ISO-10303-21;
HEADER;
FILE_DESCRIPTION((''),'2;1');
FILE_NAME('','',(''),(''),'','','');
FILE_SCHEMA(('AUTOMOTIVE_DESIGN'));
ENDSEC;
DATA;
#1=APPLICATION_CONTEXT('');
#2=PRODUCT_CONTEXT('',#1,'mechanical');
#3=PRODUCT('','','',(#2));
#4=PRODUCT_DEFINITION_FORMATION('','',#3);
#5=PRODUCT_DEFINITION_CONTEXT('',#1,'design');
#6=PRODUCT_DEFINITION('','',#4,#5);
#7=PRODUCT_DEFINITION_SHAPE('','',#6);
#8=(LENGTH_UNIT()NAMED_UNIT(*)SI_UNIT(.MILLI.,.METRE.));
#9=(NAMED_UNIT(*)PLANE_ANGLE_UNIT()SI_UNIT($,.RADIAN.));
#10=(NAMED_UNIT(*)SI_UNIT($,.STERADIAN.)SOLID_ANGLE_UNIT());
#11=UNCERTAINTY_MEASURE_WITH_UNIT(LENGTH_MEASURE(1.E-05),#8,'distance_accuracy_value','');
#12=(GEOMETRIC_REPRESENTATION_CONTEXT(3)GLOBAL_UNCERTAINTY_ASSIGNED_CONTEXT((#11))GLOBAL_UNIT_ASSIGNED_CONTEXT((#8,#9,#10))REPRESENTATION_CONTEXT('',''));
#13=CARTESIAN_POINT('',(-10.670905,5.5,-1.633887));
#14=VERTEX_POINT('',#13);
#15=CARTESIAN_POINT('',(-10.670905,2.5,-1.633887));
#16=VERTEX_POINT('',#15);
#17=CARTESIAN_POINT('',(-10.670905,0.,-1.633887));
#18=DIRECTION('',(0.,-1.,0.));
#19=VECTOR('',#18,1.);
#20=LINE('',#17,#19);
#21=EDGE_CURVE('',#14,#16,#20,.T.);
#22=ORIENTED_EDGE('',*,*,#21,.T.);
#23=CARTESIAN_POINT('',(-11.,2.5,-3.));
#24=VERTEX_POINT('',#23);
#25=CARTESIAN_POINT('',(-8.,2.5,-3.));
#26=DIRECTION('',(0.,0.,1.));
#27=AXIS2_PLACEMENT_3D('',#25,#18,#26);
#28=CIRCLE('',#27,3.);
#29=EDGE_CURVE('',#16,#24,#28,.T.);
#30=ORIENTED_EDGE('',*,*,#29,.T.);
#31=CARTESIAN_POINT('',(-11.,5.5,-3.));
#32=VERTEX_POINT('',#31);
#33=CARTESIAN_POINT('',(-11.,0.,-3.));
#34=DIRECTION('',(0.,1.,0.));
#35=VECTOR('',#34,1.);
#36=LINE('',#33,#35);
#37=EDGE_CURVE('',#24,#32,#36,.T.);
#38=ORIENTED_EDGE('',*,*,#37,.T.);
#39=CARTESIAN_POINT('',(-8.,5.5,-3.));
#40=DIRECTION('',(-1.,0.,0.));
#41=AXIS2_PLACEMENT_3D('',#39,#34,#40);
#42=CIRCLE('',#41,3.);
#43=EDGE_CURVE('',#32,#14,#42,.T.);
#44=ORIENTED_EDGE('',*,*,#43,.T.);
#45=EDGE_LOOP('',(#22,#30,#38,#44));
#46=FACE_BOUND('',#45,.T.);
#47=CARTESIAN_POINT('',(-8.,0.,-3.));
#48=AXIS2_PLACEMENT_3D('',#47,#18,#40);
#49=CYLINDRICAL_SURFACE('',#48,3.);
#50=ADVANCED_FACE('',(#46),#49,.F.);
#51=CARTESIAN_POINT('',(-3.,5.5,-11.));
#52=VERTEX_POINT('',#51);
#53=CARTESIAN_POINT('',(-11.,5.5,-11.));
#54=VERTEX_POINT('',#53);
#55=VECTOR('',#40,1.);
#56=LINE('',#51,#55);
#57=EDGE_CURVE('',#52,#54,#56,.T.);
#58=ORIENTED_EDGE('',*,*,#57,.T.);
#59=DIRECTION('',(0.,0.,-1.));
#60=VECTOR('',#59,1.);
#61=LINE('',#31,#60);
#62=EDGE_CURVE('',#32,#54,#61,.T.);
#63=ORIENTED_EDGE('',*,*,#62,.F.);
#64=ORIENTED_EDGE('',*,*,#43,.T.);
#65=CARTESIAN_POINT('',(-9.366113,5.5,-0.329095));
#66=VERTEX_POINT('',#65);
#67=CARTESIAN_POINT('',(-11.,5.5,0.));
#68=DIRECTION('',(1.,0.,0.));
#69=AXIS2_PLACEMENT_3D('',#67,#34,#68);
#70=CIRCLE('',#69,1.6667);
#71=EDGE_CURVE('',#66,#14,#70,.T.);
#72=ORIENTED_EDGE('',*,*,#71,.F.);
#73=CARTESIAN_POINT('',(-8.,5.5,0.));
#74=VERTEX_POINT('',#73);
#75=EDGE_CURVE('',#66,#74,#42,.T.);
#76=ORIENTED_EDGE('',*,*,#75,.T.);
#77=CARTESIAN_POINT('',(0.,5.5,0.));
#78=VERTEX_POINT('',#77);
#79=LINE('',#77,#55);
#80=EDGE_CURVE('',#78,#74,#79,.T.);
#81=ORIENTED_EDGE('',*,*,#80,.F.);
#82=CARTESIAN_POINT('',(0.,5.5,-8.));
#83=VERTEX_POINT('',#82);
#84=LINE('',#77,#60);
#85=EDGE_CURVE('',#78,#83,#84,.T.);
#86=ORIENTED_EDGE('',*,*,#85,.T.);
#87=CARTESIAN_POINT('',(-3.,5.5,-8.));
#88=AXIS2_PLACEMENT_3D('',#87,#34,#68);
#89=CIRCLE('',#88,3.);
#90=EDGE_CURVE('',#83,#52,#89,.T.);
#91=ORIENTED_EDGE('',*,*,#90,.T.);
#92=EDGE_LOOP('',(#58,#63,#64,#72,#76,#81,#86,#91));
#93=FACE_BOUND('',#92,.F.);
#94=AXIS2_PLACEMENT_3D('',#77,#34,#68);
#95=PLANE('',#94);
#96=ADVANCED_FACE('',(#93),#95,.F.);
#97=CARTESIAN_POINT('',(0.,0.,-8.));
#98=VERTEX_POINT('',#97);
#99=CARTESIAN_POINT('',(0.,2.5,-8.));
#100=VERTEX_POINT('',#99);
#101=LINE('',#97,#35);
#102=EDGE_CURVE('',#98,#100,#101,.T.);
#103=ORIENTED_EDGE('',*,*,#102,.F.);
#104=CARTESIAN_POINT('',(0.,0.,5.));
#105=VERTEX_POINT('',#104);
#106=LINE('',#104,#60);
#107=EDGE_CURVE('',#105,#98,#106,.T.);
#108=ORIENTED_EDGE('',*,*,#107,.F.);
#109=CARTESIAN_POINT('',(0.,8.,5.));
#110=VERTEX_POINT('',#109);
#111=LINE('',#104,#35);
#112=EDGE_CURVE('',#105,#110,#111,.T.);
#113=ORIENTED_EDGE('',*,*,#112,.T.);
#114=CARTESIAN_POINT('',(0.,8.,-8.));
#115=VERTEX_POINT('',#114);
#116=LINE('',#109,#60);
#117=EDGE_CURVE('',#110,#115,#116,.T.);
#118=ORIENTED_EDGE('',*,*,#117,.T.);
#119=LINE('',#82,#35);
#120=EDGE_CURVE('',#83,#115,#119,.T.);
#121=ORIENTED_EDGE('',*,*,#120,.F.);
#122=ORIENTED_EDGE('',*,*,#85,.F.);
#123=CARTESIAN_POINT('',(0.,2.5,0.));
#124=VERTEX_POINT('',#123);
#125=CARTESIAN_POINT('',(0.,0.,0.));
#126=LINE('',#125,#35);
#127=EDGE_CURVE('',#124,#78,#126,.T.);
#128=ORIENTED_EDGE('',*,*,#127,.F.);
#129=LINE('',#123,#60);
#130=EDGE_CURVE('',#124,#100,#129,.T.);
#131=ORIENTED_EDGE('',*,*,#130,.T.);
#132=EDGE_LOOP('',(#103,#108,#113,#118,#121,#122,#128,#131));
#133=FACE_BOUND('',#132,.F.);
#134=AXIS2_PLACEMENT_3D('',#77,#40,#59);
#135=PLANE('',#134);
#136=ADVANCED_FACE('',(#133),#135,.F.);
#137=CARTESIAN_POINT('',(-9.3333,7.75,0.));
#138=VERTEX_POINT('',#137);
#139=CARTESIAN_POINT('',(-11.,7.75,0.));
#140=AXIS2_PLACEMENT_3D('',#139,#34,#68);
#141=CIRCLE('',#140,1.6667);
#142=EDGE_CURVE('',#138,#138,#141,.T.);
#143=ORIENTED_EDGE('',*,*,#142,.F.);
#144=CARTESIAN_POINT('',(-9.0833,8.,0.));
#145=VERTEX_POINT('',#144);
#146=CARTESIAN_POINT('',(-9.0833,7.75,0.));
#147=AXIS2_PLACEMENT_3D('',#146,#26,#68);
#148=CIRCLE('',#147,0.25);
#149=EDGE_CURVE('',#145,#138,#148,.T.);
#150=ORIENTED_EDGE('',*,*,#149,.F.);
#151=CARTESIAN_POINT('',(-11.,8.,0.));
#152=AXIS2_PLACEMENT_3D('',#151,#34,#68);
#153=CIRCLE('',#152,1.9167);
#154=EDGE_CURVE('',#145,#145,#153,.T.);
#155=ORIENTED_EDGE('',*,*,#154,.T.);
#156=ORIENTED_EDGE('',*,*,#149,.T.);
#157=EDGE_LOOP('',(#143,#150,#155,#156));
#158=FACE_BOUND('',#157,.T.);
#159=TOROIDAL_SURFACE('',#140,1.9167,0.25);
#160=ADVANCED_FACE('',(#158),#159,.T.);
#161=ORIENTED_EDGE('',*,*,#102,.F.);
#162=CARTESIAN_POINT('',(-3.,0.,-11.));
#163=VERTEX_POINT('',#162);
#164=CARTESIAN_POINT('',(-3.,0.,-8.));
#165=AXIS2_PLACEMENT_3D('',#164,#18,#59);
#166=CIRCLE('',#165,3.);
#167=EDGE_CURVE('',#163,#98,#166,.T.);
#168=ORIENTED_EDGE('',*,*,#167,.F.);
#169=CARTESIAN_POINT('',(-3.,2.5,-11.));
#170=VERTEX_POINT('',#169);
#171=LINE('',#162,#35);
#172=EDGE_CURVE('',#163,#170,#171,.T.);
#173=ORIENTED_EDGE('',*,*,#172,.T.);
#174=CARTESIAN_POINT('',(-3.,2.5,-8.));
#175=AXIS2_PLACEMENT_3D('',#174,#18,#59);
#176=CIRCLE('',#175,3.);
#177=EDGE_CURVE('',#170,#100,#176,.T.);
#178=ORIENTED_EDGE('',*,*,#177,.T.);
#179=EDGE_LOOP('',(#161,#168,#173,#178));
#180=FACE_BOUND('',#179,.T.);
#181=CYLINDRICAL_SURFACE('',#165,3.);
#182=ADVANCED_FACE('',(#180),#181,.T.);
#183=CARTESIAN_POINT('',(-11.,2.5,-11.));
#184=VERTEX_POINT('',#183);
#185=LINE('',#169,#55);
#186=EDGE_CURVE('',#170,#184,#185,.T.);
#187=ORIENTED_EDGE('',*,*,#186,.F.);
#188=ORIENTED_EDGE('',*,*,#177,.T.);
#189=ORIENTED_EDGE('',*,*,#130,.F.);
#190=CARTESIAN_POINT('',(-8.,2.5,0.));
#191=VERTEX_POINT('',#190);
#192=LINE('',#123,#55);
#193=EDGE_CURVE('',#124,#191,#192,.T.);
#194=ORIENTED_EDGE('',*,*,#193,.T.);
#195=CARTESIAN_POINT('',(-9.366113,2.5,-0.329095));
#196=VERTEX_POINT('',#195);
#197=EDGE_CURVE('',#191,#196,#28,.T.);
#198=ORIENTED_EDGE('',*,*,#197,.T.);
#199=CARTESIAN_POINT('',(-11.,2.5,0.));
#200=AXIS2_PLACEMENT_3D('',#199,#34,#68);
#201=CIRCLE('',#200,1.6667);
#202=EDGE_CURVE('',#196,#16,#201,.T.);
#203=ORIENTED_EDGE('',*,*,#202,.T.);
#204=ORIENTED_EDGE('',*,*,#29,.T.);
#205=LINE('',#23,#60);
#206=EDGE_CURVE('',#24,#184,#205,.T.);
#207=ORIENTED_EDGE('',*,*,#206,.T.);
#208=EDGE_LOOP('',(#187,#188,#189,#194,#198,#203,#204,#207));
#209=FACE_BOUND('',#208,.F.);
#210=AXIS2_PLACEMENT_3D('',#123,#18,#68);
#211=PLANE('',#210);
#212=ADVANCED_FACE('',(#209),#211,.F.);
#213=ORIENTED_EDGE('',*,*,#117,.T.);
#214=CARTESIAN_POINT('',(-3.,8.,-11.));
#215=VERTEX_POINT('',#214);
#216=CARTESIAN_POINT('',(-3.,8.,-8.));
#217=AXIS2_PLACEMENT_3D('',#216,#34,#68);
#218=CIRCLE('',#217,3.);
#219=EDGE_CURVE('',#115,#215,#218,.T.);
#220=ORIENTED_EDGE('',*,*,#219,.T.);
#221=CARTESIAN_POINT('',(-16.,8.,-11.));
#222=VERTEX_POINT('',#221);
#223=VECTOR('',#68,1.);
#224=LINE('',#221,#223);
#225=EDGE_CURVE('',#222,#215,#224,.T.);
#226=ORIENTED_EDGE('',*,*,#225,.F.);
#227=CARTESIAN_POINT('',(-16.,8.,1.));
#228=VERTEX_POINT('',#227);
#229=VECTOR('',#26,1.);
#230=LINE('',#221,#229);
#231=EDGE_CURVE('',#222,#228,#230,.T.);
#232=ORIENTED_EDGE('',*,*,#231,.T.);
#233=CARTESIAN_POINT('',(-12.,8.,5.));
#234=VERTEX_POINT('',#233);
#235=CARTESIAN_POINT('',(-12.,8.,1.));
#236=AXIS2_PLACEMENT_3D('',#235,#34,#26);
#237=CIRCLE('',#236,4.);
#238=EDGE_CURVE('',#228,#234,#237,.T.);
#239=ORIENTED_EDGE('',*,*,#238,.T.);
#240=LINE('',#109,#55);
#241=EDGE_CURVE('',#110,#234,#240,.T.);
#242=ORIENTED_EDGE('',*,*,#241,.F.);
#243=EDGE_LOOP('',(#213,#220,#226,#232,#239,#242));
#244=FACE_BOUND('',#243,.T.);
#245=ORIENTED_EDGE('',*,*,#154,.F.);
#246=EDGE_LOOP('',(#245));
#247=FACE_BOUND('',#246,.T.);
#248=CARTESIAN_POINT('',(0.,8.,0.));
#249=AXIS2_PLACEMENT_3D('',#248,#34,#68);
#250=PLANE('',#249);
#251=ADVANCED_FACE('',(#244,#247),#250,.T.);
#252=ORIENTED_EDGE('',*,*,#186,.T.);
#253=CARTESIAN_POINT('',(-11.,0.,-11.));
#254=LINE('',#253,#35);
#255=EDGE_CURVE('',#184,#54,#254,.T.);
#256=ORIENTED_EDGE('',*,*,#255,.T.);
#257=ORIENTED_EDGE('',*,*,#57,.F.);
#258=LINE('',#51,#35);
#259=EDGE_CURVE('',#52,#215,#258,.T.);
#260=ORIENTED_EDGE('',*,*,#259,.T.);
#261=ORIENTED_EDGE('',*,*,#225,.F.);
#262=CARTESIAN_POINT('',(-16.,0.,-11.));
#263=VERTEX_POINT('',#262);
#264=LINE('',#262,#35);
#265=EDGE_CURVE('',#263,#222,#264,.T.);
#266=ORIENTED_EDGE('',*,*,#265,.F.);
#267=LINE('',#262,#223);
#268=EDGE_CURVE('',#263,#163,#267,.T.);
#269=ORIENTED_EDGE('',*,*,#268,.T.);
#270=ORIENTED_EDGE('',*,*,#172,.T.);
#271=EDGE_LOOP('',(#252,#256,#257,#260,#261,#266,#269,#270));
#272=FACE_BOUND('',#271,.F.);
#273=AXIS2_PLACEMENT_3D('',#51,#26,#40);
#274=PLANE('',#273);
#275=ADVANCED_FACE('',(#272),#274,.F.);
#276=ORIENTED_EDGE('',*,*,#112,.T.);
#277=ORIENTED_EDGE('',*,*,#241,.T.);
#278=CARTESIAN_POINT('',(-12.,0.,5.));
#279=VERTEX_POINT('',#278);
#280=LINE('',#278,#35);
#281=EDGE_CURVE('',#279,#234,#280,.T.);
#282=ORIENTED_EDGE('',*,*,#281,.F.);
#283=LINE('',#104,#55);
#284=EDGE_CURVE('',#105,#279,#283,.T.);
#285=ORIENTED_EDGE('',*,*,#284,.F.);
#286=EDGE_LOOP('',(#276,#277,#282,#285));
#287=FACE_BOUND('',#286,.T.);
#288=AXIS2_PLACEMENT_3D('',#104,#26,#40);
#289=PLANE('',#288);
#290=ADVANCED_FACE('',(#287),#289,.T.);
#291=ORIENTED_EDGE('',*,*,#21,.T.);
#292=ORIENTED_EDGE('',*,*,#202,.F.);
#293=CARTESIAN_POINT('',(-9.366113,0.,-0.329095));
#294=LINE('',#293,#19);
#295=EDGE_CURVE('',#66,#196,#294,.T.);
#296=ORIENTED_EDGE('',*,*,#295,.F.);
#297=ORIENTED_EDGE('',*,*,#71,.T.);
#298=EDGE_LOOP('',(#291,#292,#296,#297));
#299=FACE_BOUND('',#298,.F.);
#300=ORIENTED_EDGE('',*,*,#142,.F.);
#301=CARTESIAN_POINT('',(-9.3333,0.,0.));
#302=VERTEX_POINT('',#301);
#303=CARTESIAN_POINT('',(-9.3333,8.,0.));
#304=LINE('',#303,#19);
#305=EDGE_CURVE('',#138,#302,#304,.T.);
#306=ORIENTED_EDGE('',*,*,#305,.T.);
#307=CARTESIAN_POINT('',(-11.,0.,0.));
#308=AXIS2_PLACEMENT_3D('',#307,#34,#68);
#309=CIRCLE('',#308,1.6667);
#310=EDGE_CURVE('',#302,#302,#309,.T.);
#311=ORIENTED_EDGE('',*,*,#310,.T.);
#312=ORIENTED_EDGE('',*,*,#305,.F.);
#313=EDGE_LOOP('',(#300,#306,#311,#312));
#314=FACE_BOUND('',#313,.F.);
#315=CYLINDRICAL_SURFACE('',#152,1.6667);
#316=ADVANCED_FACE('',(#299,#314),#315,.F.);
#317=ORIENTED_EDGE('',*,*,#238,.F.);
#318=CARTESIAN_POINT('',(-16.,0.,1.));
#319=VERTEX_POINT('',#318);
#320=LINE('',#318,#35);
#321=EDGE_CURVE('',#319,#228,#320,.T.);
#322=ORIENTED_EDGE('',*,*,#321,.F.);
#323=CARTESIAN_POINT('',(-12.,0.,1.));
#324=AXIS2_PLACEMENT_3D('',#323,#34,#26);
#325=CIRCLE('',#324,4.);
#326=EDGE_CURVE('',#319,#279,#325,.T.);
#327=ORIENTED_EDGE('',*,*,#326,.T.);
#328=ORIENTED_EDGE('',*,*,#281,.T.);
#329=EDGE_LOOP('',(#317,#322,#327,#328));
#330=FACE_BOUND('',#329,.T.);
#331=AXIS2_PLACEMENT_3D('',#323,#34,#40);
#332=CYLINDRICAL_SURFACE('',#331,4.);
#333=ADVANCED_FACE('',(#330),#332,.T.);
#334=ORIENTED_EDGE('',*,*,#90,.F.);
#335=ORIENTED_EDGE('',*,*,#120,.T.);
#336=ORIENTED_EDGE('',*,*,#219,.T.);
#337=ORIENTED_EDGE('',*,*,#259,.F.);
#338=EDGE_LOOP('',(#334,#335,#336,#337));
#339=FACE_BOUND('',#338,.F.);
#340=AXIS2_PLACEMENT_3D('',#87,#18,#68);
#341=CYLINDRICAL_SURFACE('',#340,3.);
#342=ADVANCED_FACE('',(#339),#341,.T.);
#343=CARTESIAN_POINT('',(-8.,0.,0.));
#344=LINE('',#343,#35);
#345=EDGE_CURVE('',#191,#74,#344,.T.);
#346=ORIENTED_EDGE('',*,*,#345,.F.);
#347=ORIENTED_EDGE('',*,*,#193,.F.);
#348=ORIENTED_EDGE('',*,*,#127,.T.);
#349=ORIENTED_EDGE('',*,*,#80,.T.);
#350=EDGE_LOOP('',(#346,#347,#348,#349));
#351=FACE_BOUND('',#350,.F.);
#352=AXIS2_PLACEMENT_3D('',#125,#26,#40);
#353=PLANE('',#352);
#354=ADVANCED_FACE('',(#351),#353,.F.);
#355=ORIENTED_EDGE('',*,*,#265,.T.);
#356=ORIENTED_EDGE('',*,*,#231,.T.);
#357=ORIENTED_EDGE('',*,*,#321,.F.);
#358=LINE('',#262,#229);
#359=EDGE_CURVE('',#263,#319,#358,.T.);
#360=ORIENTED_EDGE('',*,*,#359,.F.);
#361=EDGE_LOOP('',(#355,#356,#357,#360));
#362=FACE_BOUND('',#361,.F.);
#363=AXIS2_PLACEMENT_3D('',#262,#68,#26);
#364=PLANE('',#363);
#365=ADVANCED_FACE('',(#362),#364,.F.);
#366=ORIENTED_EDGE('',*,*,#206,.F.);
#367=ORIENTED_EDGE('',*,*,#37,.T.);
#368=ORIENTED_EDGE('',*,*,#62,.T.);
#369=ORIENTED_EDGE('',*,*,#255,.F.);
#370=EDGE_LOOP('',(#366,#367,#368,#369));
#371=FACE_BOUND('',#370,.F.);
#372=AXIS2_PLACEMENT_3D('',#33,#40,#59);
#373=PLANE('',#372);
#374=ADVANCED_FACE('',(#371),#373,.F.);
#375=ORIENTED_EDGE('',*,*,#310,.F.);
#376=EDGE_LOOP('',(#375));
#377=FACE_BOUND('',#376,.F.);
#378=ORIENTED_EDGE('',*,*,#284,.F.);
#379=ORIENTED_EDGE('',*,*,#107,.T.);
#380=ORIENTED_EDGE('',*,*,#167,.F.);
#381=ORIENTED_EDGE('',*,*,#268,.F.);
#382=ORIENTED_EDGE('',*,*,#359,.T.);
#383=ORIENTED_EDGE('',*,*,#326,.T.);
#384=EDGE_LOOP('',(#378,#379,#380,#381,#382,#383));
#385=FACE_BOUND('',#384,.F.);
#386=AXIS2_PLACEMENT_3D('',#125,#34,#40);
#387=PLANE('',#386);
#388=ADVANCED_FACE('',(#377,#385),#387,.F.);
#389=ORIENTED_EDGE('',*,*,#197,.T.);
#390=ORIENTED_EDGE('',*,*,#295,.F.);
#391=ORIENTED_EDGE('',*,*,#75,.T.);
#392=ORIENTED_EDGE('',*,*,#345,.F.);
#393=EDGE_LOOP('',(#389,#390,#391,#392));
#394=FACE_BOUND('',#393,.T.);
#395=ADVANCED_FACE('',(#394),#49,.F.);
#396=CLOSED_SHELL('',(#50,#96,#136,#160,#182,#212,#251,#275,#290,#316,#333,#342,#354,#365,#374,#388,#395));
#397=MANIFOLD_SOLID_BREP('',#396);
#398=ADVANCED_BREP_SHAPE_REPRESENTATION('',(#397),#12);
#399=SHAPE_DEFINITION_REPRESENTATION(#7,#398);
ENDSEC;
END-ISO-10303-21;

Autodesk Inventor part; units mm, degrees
ref_plane "YZ Plane" through (0, 0, 0) normal (1, 0, 0) x (0, 1, 0)
ref_plane "XZ Plane" through (0, 0, 0) normal (0, 1, 0) x (-1, 0, 0)
sketch "Sketch1" plane through (0, 0, 0) normal (0, 1, 0) x (-1, 0, 0)
  line L0 (0, 0) -> (8, 0)
  line L1 (0, 0) -> (0, 5)
  line L2 (0, 5) -> (16, 5)
  arc A0 (11, -3) -> (8, 0) centre (8, -3) ccw
  line L3 (11, -3) -> (11, -11)
  line L4 (11, -11) -> (16, -11)
  line L5 (16, -11) -> (16, 5)
  line L6 (0, 0) -> (11, -11)
  dimension "d0" = 5
  dimension "d1" = 5
  dimension "d2" = 8
  dimension "d3" = 3
  dimension "d4" = 8
extrude "Extrusion1" add sketch "Sketch1" along normal blind 8 contours L1 L2 L5 L4 L3 A0 L0
sketch "Sketch2" plane through (0, 0, 0) normal (0, -1, 0) x (1, 0, 0)
  line L0 (0, 0) -> (-8, 0) projected
  arc A0 (-8, 0) -> (-11, -3) centre (-8, -3) ccw projected
  line L1 (-11, -3) -> (-11, -11) projected
  line L2 (0, 0) -> (-11, -11)
  line L3 (-11, -11) -> (-11, -3)
  line L4 (-8, 0) -> (0, 0)
  arc A1 (-8, 0) -> (-11, -3) centre (-8, -3) ccw
  line L5 (0, 0) -> (0, -8)
  arc A2 (-3, -11) -> (0, -8) centre (-3, -8) ccw
  line L6 (-3, -11) -> (-11, -11)
extrude "Extrusion2" add sketch "Sketch2" against normal blind 2.5
ref_plane "Work Plane1" through (0, 5.5, 0) normal (0, 1, 0) x (1, 0, 0)
sketch "Sketch3" plane through (0, 5.5, 0) normal (0, 1, 0) x (1, 0, 0)
  line L0 (0, 0) -> (0, 8) projected
  arc A0 (0, 8) -> (-3, 11) centre (-3, 8) ccw projected
  line L1 (-3, 11) -> (-11, 11) projected
  line L2 (-11, 3) -> (-11, 11) projected
  arc A1 (-11, 3) -> (-8, 0) centre (-8, 3) ccw projected
  line L3 (0, 0) -> (-8, 0) projected
extrude "Extrusion3" add sketch "Sketch3" along normal blind 2.5
sketch "Sketch4" plane through (0, 8, 0) normal (0, 1, 0) x (1, 0, 0)
  arc A0 (0, 8) -> (-3, 11) centre (-3, 8) ccw projected
  line L0 (0, -5) -> (0, 8) projected
  line L1 (-3, 11) -> (-16, 11) projected
  line L2 (-16, 11) -> (-16, -5) projected
  line L3 (-16, -5) -> (0, -5) projected
  point P0 (0, 0)
sketch "Sketch5" plane through (0, 8, 0) normal (0, 1, 0) x (1, 0, 0)
  circle A0 centre (-11, 0) radius 1.6667
  line L0 (-16, -5) -> (0, -5) projected
  line L1 (-16, 11) -> (-16, -5) projected
  point P0 (0, 0)
  point P1 (-8, -5)
  point P2 (-16, 3)
  dimension "d21" = 3.3333
  dimension "d22" = 3.3333
  dimension "d23" = 3.3333
extrude "Extrusion4" cut sketch "Sketch5" against normal through all
fillet "Fillet2" radius 0.25 1 edges at (-12.6667, 8, 0)
fillet "Fillet3" radius 4 1 edges at (-16, 4, 5)
equation "\"d1\" = d0"
equation "\"d23\" = d22"
properties part number "Plate Adapter 5.0"
